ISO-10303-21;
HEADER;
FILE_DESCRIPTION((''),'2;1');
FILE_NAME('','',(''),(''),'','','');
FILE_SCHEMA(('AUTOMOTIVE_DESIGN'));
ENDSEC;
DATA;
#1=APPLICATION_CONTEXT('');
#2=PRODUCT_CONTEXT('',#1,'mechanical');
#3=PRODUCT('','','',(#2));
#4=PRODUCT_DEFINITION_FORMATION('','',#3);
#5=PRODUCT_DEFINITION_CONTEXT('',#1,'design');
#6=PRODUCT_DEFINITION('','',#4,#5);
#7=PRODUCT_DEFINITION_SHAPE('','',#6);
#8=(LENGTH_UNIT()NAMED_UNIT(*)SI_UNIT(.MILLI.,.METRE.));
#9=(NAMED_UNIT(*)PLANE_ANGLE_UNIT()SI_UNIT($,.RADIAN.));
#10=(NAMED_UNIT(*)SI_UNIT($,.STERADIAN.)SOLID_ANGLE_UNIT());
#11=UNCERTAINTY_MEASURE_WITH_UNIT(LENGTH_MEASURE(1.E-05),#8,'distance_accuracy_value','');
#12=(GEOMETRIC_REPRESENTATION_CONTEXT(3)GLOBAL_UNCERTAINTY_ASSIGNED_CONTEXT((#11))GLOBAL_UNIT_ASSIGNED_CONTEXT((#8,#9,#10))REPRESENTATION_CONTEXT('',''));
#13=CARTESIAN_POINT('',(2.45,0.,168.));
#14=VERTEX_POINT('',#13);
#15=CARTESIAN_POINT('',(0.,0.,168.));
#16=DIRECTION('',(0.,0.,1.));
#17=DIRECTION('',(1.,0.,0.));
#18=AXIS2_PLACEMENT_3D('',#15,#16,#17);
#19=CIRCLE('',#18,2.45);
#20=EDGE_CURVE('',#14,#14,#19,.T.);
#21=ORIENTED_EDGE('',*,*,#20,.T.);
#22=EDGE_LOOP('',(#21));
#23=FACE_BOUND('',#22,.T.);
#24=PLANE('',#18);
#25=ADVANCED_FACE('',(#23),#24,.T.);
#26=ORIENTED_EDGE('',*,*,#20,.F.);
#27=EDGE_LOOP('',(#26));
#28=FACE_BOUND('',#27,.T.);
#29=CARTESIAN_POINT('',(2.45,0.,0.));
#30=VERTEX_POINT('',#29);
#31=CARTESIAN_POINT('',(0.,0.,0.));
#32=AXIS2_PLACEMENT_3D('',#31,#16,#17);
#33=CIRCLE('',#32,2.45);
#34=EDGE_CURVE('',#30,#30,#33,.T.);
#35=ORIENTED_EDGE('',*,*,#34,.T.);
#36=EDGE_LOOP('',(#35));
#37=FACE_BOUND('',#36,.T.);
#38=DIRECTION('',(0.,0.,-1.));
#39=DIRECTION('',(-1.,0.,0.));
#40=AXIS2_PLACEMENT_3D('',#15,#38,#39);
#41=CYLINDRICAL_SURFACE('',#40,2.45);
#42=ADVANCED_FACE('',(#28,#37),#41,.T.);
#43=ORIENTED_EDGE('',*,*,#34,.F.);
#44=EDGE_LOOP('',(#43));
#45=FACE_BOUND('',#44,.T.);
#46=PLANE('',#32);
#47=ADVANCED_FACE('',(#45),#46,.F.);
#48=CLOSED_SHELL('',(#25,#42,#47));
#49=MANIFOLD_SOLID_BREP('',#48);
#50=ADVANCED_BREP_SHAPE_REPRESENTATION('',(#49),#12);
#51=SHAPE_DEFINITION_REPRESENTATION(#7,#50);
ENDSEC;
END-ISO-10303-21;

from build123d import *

# Parameters (mm, degrees)
ESQUISSE1_R        = 2.45
BOSS_EXTRU_1_DEPTH = 168


with BuildPart() as part:
    # Esquisse1 → Boss.-Extru.1 (new body)
    with BuildSketch(Plane.XY):
        Circle(ESQUISSE1_R)
    extrude(amount=BOSS_EXTRU_1_DEPTH)


solid = part.part
